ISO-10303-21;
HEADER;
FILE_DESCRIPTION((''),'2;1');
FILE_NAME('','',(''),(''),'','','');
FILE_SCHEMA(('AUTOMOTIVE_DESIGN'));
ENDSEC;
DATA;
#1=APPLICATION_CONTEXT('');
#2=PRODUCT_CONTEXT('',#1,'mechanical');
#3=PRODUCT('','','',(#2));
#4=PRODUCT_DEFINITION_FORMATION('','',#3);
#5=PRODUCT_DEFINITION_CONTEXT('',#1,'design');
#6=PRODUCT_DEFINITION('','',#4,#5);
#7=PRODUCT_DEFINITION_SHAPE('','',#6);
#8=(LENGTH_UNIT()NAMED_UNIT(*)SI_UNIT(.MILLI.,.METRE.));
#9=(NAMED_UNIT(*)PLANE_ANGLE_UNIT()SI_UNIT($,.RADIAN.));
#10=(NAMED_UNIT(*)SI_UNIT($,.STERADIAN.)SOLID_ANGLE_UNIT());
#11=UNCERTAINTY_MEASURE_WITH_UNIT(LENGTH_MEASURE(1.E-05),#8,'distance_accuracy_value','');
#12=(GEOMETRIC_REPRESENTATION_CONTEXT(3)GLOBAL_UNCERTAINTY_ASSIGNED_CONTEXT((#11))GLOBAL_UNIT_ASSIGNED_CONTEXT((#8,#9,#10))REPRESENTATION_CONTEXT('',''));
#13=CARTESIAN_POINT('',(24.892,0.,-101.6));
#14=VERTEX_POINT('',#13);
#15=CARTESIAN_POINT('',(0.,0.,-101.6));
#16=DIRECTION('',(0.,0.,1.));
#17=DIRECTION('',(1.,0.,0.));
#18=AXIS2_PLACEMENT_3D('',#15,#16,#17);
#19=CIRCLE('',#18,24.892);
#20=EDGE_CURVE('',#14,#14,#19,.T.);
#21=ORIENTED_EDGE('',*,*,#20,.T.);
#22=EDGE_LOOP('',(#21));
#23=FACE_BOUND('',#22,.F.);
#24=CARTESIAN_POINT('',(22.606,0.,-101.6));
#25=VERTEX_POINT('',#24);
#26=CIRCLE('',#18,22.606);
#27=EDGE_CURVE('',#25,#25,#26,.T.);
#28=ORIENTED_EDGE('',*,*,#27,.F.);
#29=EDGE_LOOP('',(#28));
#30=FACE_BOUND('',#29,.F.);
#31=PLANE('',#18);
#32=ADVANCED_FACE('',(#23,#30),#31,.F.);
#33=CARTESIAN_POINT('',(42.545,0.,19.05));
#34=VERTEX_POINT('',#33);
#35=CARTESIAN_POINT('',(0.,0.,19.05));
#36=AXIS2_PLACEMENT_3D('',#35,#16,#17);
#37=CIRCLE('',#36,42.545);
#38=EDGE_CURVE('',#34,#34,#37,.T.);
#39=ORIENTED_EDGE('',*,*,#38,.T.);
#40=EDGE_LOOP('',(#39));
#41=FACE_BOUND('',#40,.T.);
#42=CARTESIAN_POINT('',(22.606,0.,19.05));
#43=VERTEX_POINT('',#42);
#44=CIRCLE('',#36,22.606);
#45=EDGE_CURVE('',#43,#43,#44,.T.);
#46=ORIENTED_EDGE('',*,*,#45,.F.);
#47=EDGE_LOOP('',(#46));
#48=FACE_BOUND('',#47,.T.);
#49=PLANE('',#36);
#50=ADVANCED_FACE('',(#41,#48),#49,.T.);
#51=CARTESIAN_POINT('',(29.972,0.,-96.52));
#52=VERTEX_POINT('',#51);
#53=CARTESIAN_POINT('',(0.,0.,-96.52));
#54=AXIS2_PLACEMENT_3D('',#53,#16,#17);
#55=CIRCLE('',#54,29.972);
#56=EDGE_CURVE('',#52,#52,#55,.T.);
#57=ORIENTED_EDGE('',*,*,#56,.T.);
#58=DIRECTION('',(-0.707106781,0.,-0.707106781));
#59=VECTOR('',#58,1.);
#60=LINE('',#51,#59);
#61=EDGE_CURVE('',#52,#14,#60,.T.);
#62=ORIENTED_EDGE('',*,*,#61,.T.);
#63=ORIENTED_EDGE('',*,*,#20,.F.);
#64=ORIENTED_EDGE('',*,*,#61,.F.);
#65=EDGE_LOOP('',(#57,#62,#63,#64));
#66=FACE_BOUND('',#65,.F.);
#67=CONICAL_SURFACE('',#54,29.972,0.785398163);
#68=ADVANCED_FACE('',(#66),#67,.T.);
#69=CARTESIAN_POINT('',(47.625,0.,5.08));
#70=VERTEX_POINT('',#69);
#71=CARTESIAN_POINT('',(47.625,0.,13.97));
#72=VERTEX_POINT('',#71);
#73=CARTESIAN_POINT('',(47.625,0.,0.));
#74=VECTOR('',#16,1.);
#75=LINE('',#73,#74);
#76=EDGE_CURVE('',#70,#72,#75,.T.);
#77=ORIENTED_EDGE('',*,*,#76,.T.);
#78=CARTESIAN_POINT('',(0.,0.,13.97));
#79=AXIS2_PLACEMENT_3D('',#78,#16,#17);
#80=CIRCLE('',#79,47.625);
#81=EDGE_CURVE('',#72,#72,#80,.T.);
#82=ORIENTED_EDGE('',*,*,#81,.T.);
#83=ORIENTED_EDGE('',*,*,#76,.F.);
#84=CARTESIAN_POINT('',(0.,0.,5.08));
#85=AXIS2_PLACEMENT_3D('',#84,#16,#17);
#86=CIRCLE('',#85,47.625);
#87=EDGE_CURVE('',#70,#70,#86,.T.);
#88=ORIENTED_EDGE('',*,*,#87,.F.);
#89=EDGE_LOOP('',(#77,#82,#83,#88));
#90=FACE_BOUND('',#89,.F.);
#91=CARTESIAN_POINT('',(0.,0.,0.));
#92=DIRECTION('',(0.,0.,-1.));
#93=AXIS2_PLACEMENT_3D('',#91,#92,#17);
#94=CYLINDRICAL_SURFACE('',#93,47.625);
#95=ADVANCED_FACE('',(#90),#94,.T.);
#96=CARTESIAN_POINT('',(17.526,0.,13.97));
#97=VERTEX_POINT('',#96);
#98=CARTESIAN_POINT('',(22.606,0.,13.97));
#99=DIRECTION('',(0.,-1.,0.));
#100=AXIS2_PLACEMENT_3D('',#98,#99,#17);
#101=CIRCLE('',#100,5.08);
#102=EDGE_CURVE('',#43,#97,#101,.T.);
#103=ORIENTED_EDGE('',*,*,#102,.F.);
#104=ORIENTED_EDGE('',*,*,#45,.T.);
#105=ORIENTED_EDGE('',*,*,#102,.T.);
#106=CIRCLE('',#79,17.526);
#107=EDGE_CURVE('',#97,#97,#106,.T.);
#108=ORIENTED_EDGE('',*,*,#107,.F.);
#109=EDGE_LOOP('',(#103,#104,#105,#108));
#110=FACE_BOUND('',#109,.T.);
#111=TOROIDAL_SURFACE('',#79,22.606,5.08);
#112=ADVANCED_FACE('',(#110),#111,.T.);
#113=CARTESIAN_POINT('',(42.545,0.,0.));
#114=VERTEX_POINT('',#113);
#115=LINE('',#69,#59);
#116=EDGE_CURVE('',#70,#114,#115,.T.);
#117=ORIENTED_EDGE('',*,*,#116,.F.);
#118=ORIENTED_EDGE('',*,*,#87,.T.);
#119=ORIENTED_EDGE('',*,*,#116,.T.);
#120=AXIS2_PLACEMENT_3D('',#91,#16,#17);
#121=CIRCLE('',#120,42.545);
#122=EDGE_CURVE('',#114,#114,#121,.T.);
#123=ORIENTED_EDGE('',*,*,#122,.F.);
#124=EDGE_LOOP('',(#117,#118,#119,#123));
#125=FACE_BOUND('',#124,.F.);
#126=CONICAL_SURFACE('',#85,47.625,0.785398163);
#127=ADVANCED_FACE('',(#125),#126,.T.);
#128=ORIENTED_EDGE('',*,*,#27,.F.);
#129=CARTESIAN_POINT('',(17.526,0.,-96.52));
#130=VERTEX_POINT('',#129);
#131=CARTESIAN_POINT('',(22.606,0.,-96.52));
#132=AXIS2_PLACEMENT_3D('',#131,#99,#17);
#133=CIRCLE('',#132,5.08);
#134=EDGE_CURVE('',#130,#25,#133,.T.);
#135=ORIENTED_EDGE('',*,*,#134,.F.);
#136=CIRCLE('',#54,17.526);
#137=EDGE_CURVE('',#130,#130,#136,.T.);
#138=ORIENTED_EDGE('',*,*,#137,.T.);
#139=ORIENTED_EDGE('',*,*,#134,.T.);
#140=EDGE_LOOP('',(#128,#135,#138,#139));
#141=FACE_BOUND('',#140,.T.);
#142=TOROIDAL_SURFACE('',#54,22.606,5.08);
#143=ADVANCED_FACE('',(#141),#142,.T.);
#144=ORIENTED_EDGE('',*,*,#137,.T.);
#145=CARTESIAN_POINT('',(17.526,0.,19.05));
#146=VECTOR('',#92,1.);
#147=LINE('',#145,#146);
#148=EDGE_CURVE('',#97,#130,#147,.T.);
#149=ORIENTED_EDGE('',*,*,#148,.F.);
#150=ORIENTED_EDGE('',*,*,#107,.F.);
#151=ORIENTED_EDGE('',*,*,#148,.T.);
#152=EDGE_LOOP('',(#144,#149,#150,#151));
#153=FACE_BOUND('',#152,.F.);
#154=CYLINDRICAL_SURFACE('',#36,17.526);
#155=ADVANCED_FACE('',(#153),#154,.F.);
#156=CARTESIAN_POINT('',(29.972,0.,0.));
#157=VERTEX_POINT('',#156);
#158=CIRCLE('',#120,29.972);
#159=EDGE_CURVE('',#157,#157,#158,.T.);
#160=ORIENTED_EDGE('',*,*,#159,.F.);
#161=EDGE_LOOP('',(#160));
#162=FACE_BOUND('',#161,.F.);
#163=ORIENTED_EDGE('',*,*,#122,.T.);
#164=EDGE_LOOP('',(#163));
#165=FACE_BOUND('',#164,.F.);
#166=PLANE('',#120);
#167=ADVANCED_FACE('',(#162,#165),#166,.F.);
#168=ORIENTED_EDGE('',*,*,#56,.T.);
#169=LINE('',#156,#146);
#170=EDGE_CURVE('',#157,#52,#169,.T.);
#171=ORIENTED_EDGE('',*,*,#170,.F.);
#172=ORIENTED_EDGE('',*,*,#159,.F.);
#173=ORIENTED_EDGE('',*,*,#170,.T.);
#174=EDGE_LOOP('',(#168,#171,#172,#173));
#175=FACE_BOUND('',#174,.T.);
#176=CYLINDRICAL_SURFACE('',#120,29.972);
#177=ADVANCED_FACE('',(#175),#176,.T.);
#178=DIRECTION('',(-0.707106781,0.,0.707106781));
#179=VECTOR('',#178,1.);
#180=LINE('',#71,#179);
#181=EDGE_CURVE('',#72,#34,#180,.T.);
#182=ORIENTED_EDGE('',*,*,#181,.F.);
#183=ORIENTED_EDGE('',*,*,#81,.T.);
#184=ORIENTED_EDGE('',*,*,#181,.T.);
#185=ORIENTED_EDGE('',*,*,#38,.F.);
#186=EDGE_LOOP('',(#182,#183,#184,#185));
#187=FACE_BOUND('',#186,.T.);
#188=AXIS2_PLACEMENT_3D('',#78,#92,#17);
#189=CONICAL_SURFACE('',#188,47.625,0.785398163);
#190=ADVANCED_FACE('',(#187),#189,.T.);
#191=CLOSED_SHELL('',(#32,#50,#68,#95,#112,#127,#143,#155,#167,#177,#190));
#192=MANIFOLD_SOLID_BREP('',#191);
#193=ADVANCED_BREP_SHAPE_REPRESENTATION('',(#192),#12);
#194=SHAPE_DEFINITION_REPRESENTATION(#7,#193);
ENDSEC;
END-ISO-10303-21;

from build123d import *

# Parameters (mm, degrees)
F0_R     = 29.972
F1_DEPTH = 101.6
F2_R     = 47.625
F3_DEPTH = 19.05
F4_R     = 17.526
F5_DEPTH = 120.651
F6_SIZE  = 5.08
F7_R     = 5.08


with BuildPart() as f1:
    # F0 (on Top) → F1 (new body)
    with BuildSketch(Plane.XY):
        Circle(F0_R)
    extrude(amount=-F1_DEPTH)

    # F2 (on Top) → F3 (join)
    with BuildSketch(Plane.XY):
        Circle(F2_R)
    extrude(amount=F3_DEPTH)

    # F4 (on face) → F5 (cut, through all)
    with BuildSketch(Plane.XY.offset(19.05)):
        Circle(F4_R)
    extrude(amount=-F5_DEPTH, mode=Mode.SUBTRACT)

    # F6
    f6_edges = [f1.edges().sort_by_distance(p)[0] for p in [
        (-29.972, 0, -101.6),
        (-47.625, 0, 0),
        (-47.625, 0, 19.05),
    ]]
    chamfer(f6_edges, length=F6_SIZE)

    # F7
    f7_edges = [f1.edges().sort_by_distance(p)[0] for p in [
        (-17.526, 0, 19.05),
        (-17.526, 0, -101.6),
    ]]
    fillet(f7_edges, radius=F7_R)


solid = f1.part
